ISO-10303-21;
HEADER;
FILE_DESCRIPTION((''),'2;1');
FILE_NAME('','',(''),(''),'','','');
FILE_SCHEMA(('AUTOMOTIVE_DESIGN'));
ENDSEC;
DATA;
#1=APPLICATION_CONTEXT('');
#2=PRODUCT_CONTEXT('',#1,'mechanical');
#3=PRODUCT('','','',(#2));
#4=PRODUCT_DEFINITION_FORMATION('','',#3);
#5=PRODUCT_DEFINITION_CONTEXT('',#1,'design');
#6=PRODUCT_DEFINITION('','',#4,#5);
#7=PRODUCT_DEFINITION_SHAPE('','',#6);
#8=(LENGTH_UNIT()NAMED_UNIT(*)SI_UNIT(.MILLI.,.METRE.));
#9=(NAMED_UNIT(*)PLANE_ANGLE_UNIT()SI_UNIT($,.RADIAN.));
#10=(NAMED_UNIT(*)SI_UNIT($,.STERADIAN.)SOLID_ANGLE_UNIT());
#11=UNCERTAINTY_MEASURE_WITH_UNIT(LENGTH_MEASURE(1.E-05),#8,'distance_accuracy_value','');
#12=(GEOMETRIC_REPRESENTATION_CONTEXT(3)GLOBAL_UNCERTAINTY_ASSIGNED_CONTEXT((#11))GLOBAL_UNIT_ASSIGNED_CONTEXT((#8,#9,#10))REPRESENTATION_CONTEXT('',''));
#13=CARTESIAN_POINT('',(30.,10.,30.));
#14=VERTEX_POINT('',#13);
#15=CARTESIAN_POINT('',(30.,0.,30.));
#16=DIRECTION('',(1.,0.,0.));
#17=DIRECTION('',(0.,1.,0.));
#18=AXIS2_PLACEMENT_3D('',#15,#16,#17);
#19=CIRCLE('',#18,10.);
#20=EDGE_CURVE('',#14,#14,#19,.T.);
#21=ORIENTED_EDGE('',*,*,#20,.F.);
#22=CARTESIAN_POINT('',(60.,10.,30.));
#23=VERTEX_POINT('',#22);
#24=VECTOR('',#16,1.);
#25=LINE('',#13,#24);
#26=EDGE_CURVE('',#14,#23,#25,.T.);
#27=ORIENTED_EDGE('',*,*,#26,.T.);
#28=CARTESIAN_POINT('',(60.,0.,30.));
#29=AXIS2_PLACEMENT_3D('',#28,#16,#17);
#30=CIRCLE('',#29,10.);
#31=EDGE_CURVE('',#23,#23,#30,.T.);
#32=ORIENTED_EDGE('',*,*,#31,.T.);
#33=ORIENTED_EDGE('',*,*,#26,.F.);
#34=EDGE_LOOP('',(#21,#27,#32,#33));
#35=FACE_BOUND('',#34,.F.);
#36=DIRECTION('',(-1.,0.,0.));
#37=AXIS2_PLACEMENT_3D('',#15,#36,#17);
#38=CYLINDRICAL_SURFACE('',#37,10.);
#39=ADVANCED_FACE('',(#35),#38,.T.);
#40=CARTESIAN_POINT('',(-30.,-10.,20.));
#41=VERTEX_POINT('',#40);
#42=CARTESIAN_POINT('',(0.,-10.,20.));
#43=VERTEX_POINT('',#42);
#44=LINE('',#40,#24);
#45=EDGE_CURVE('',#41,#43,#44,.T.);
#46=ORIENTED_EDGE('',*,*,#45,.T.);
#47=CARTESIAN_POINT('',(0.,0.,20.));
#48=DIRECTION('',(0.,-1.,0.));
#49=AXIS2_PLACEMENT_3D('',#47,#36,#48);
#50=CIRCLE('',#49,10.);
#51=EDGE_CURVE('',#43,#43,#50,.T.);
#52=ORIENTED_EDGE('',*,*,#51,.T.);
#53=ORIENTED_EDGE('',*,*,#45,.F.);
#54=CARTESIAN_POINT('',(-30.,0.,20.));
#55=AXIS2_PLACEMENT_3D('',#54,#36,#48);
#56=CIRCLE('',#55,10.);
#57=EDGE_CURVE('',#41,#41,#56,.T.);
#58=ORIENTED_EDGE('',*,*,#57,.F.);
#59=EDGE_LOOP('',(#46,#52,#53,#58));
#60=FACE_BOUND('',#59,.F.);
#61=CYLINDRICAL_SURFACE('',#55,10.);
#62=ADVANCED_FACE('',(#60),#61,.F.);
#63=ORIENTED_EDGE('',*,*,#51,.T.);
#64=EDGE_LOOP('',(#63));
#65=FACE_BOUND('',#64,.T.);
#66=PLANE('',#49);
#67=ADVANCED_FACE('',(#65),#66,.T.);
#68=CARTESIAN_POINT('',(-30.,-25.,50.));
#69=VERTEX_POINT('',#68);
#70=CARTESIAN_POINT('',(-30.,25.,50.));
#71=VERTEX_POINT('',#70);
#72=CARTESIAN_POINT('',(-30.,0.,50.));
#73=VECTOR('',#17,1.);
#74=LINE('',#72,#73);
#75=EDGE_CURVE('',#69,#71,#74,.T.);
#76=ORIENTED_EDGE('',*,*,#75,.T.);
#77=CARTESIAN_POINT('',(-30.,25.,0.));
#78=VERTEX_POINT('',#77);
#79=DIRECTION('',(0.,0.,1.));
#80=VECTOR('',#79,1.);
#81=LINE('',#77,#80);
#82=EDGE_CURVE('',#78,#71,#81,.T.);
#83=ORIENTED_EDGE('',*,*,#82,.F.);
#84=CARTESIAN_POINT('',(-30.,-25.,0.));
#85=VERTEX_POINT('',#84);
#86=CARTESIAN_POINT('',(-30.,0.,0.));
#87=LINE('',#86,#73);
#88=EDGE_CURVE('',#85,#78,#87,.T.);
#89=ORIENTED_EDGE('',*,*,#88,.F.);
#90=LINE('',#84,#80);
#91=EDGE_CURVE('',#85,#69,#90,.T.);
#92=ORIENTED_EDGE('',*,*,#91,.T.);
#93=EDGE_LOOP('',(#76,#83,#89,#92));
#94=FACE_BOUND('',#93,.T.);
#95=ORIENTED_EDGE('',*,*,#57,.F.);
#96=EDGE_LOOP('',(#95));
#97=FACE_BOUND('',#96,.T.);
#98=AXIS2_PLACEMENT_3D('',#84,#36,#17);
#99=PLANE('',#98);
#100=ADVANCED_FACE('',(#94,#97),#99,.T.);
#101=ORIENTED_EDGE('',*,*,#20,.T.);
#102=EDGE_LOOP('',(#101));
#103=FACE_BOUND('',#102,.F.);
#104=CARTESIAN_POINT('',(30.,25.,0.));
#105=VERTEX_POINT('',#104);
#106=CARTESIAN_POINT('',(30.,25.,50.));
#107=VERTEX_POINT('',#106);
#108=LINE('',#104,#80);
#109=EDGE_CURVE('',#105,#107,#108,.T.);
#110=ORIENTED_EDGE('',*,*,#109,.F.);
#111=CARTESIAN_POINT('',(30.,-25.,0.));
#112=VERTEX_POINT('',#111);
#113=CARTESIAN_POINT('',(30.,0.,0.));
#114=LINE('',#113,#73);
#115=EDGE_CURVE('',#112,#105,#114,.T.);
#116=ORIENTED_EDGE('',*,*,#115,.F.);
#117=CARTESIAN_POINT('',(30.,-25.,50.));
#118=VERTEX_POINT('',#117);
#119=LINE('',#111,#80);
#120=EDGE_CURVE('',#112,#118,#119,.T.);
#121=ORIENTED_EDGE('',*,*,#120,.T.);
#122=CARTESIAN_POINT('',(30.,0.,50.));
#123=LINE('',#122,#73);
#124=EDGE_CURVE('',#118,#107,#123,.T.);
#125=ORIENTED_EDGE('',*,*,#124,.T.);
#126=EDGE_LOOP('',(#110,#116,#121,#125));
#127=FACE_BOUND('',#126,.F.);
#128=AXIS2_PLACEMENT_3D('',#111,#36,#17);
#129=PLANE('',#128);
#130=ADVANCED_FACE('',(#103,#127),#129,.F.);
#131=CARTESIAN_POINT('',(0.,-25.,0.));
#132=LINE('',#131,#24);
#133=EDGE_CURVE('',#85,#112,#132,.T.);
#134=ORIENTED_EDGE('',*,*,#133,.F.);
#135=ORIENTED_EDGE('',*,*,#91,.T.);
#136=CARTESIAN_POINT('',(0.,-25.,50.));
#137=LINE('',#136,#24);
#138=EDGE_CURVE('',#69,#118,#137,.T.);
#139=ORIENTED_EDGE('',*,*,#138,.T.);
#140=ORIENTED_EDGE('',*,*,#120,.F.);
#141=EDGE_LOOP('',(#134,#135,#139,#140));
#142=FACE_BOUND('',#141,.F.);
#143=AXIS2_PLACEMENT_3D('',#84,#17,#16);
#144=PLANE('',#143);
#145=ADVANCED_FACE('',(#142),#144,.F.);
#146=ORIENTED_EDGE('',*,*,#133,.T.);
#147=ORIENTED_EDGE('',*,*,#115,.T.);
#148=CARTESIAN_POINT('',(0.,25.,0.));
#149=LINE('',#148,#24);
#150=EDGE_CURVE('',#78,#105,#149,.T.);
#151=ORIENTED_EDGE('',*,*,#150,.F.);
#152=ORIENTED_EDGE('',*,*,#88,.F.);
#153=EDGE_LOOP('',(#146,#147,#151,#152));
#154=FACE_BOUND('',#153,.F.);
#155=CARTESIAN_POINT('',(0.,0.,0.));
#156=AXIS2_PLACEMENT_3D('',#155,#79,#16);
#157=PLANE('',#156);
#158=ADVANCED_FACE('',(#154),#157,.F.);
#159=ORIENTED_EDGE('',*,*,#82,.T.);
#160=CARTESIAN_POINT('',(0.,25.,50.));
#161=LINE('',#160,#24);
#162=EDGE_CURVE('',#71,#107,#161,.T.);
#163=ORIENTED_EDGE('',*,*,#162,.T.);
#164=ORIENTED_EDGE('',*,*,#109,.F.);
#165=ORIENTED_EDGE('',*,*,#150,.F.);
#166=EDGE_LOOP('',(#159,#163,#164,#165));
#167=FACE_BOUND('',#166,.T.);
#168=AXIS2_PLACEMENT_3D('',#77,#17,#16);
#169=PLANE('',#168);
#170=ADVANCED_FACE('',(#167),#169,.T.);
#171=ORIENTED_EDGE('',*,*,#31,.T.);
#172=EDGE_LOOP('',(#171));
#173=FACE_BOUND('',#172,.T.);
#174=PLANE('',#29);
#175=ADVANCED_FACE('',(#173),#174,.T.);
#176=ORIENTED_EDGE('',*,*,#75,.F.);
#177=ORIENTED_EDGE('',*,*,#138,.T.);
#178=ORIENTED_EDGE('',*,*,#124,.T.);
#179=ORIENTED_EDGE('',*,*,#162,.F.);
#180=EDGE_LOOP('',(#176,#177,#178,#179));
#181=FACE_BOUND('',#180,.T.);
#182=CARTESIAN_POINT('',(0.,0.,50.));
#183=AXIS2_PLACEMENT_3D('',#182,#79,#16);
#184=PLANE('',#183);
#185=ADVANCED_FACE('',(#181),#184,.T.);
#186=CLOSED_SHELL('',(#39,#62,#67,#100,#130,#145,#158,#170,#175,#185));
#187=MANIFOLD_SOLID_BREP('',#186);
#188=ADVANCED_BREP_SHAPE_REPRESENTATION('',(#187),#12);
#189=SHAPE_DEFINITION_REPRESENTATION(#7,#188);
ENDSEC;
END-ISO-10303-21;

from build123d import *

# Parameters (mm, degrees)
F0_W     = 60
F0_H     = 50
F1_DEPTH = 50
F2_R     = 10
F3_DEPTH = 30
F4_R     = 10
F5_DEPTH = 30


with BuildPart() as f1:
    # F0 (on Top) → F1 (new body)
    with BuildSketch(Plane.XY):
        Rectangle(F0_W, F0_H)
    extrude(amount=F1_DEPTH)

    # F2 (on face) → F3 (join)
    with BuildSketch(Plane.YZ.offset(30)):
        with Locations((0, 30)):
            Circle(F2_R)
    extrude(amount=F3_DEPTH)

    # F4 (on face) → F5 (cut)
    with BuildSketch(Plane(origin=(-30, 0, 0), x_dir=(0, -1, 0), z_dir=(-1, 0, 0))):
        with Locations((0, 20)):
            Circle(F4_R)
    extrude(amount=-F5_DEPTH, mode=Mode.SUBTRACT)


solid = f1.part
